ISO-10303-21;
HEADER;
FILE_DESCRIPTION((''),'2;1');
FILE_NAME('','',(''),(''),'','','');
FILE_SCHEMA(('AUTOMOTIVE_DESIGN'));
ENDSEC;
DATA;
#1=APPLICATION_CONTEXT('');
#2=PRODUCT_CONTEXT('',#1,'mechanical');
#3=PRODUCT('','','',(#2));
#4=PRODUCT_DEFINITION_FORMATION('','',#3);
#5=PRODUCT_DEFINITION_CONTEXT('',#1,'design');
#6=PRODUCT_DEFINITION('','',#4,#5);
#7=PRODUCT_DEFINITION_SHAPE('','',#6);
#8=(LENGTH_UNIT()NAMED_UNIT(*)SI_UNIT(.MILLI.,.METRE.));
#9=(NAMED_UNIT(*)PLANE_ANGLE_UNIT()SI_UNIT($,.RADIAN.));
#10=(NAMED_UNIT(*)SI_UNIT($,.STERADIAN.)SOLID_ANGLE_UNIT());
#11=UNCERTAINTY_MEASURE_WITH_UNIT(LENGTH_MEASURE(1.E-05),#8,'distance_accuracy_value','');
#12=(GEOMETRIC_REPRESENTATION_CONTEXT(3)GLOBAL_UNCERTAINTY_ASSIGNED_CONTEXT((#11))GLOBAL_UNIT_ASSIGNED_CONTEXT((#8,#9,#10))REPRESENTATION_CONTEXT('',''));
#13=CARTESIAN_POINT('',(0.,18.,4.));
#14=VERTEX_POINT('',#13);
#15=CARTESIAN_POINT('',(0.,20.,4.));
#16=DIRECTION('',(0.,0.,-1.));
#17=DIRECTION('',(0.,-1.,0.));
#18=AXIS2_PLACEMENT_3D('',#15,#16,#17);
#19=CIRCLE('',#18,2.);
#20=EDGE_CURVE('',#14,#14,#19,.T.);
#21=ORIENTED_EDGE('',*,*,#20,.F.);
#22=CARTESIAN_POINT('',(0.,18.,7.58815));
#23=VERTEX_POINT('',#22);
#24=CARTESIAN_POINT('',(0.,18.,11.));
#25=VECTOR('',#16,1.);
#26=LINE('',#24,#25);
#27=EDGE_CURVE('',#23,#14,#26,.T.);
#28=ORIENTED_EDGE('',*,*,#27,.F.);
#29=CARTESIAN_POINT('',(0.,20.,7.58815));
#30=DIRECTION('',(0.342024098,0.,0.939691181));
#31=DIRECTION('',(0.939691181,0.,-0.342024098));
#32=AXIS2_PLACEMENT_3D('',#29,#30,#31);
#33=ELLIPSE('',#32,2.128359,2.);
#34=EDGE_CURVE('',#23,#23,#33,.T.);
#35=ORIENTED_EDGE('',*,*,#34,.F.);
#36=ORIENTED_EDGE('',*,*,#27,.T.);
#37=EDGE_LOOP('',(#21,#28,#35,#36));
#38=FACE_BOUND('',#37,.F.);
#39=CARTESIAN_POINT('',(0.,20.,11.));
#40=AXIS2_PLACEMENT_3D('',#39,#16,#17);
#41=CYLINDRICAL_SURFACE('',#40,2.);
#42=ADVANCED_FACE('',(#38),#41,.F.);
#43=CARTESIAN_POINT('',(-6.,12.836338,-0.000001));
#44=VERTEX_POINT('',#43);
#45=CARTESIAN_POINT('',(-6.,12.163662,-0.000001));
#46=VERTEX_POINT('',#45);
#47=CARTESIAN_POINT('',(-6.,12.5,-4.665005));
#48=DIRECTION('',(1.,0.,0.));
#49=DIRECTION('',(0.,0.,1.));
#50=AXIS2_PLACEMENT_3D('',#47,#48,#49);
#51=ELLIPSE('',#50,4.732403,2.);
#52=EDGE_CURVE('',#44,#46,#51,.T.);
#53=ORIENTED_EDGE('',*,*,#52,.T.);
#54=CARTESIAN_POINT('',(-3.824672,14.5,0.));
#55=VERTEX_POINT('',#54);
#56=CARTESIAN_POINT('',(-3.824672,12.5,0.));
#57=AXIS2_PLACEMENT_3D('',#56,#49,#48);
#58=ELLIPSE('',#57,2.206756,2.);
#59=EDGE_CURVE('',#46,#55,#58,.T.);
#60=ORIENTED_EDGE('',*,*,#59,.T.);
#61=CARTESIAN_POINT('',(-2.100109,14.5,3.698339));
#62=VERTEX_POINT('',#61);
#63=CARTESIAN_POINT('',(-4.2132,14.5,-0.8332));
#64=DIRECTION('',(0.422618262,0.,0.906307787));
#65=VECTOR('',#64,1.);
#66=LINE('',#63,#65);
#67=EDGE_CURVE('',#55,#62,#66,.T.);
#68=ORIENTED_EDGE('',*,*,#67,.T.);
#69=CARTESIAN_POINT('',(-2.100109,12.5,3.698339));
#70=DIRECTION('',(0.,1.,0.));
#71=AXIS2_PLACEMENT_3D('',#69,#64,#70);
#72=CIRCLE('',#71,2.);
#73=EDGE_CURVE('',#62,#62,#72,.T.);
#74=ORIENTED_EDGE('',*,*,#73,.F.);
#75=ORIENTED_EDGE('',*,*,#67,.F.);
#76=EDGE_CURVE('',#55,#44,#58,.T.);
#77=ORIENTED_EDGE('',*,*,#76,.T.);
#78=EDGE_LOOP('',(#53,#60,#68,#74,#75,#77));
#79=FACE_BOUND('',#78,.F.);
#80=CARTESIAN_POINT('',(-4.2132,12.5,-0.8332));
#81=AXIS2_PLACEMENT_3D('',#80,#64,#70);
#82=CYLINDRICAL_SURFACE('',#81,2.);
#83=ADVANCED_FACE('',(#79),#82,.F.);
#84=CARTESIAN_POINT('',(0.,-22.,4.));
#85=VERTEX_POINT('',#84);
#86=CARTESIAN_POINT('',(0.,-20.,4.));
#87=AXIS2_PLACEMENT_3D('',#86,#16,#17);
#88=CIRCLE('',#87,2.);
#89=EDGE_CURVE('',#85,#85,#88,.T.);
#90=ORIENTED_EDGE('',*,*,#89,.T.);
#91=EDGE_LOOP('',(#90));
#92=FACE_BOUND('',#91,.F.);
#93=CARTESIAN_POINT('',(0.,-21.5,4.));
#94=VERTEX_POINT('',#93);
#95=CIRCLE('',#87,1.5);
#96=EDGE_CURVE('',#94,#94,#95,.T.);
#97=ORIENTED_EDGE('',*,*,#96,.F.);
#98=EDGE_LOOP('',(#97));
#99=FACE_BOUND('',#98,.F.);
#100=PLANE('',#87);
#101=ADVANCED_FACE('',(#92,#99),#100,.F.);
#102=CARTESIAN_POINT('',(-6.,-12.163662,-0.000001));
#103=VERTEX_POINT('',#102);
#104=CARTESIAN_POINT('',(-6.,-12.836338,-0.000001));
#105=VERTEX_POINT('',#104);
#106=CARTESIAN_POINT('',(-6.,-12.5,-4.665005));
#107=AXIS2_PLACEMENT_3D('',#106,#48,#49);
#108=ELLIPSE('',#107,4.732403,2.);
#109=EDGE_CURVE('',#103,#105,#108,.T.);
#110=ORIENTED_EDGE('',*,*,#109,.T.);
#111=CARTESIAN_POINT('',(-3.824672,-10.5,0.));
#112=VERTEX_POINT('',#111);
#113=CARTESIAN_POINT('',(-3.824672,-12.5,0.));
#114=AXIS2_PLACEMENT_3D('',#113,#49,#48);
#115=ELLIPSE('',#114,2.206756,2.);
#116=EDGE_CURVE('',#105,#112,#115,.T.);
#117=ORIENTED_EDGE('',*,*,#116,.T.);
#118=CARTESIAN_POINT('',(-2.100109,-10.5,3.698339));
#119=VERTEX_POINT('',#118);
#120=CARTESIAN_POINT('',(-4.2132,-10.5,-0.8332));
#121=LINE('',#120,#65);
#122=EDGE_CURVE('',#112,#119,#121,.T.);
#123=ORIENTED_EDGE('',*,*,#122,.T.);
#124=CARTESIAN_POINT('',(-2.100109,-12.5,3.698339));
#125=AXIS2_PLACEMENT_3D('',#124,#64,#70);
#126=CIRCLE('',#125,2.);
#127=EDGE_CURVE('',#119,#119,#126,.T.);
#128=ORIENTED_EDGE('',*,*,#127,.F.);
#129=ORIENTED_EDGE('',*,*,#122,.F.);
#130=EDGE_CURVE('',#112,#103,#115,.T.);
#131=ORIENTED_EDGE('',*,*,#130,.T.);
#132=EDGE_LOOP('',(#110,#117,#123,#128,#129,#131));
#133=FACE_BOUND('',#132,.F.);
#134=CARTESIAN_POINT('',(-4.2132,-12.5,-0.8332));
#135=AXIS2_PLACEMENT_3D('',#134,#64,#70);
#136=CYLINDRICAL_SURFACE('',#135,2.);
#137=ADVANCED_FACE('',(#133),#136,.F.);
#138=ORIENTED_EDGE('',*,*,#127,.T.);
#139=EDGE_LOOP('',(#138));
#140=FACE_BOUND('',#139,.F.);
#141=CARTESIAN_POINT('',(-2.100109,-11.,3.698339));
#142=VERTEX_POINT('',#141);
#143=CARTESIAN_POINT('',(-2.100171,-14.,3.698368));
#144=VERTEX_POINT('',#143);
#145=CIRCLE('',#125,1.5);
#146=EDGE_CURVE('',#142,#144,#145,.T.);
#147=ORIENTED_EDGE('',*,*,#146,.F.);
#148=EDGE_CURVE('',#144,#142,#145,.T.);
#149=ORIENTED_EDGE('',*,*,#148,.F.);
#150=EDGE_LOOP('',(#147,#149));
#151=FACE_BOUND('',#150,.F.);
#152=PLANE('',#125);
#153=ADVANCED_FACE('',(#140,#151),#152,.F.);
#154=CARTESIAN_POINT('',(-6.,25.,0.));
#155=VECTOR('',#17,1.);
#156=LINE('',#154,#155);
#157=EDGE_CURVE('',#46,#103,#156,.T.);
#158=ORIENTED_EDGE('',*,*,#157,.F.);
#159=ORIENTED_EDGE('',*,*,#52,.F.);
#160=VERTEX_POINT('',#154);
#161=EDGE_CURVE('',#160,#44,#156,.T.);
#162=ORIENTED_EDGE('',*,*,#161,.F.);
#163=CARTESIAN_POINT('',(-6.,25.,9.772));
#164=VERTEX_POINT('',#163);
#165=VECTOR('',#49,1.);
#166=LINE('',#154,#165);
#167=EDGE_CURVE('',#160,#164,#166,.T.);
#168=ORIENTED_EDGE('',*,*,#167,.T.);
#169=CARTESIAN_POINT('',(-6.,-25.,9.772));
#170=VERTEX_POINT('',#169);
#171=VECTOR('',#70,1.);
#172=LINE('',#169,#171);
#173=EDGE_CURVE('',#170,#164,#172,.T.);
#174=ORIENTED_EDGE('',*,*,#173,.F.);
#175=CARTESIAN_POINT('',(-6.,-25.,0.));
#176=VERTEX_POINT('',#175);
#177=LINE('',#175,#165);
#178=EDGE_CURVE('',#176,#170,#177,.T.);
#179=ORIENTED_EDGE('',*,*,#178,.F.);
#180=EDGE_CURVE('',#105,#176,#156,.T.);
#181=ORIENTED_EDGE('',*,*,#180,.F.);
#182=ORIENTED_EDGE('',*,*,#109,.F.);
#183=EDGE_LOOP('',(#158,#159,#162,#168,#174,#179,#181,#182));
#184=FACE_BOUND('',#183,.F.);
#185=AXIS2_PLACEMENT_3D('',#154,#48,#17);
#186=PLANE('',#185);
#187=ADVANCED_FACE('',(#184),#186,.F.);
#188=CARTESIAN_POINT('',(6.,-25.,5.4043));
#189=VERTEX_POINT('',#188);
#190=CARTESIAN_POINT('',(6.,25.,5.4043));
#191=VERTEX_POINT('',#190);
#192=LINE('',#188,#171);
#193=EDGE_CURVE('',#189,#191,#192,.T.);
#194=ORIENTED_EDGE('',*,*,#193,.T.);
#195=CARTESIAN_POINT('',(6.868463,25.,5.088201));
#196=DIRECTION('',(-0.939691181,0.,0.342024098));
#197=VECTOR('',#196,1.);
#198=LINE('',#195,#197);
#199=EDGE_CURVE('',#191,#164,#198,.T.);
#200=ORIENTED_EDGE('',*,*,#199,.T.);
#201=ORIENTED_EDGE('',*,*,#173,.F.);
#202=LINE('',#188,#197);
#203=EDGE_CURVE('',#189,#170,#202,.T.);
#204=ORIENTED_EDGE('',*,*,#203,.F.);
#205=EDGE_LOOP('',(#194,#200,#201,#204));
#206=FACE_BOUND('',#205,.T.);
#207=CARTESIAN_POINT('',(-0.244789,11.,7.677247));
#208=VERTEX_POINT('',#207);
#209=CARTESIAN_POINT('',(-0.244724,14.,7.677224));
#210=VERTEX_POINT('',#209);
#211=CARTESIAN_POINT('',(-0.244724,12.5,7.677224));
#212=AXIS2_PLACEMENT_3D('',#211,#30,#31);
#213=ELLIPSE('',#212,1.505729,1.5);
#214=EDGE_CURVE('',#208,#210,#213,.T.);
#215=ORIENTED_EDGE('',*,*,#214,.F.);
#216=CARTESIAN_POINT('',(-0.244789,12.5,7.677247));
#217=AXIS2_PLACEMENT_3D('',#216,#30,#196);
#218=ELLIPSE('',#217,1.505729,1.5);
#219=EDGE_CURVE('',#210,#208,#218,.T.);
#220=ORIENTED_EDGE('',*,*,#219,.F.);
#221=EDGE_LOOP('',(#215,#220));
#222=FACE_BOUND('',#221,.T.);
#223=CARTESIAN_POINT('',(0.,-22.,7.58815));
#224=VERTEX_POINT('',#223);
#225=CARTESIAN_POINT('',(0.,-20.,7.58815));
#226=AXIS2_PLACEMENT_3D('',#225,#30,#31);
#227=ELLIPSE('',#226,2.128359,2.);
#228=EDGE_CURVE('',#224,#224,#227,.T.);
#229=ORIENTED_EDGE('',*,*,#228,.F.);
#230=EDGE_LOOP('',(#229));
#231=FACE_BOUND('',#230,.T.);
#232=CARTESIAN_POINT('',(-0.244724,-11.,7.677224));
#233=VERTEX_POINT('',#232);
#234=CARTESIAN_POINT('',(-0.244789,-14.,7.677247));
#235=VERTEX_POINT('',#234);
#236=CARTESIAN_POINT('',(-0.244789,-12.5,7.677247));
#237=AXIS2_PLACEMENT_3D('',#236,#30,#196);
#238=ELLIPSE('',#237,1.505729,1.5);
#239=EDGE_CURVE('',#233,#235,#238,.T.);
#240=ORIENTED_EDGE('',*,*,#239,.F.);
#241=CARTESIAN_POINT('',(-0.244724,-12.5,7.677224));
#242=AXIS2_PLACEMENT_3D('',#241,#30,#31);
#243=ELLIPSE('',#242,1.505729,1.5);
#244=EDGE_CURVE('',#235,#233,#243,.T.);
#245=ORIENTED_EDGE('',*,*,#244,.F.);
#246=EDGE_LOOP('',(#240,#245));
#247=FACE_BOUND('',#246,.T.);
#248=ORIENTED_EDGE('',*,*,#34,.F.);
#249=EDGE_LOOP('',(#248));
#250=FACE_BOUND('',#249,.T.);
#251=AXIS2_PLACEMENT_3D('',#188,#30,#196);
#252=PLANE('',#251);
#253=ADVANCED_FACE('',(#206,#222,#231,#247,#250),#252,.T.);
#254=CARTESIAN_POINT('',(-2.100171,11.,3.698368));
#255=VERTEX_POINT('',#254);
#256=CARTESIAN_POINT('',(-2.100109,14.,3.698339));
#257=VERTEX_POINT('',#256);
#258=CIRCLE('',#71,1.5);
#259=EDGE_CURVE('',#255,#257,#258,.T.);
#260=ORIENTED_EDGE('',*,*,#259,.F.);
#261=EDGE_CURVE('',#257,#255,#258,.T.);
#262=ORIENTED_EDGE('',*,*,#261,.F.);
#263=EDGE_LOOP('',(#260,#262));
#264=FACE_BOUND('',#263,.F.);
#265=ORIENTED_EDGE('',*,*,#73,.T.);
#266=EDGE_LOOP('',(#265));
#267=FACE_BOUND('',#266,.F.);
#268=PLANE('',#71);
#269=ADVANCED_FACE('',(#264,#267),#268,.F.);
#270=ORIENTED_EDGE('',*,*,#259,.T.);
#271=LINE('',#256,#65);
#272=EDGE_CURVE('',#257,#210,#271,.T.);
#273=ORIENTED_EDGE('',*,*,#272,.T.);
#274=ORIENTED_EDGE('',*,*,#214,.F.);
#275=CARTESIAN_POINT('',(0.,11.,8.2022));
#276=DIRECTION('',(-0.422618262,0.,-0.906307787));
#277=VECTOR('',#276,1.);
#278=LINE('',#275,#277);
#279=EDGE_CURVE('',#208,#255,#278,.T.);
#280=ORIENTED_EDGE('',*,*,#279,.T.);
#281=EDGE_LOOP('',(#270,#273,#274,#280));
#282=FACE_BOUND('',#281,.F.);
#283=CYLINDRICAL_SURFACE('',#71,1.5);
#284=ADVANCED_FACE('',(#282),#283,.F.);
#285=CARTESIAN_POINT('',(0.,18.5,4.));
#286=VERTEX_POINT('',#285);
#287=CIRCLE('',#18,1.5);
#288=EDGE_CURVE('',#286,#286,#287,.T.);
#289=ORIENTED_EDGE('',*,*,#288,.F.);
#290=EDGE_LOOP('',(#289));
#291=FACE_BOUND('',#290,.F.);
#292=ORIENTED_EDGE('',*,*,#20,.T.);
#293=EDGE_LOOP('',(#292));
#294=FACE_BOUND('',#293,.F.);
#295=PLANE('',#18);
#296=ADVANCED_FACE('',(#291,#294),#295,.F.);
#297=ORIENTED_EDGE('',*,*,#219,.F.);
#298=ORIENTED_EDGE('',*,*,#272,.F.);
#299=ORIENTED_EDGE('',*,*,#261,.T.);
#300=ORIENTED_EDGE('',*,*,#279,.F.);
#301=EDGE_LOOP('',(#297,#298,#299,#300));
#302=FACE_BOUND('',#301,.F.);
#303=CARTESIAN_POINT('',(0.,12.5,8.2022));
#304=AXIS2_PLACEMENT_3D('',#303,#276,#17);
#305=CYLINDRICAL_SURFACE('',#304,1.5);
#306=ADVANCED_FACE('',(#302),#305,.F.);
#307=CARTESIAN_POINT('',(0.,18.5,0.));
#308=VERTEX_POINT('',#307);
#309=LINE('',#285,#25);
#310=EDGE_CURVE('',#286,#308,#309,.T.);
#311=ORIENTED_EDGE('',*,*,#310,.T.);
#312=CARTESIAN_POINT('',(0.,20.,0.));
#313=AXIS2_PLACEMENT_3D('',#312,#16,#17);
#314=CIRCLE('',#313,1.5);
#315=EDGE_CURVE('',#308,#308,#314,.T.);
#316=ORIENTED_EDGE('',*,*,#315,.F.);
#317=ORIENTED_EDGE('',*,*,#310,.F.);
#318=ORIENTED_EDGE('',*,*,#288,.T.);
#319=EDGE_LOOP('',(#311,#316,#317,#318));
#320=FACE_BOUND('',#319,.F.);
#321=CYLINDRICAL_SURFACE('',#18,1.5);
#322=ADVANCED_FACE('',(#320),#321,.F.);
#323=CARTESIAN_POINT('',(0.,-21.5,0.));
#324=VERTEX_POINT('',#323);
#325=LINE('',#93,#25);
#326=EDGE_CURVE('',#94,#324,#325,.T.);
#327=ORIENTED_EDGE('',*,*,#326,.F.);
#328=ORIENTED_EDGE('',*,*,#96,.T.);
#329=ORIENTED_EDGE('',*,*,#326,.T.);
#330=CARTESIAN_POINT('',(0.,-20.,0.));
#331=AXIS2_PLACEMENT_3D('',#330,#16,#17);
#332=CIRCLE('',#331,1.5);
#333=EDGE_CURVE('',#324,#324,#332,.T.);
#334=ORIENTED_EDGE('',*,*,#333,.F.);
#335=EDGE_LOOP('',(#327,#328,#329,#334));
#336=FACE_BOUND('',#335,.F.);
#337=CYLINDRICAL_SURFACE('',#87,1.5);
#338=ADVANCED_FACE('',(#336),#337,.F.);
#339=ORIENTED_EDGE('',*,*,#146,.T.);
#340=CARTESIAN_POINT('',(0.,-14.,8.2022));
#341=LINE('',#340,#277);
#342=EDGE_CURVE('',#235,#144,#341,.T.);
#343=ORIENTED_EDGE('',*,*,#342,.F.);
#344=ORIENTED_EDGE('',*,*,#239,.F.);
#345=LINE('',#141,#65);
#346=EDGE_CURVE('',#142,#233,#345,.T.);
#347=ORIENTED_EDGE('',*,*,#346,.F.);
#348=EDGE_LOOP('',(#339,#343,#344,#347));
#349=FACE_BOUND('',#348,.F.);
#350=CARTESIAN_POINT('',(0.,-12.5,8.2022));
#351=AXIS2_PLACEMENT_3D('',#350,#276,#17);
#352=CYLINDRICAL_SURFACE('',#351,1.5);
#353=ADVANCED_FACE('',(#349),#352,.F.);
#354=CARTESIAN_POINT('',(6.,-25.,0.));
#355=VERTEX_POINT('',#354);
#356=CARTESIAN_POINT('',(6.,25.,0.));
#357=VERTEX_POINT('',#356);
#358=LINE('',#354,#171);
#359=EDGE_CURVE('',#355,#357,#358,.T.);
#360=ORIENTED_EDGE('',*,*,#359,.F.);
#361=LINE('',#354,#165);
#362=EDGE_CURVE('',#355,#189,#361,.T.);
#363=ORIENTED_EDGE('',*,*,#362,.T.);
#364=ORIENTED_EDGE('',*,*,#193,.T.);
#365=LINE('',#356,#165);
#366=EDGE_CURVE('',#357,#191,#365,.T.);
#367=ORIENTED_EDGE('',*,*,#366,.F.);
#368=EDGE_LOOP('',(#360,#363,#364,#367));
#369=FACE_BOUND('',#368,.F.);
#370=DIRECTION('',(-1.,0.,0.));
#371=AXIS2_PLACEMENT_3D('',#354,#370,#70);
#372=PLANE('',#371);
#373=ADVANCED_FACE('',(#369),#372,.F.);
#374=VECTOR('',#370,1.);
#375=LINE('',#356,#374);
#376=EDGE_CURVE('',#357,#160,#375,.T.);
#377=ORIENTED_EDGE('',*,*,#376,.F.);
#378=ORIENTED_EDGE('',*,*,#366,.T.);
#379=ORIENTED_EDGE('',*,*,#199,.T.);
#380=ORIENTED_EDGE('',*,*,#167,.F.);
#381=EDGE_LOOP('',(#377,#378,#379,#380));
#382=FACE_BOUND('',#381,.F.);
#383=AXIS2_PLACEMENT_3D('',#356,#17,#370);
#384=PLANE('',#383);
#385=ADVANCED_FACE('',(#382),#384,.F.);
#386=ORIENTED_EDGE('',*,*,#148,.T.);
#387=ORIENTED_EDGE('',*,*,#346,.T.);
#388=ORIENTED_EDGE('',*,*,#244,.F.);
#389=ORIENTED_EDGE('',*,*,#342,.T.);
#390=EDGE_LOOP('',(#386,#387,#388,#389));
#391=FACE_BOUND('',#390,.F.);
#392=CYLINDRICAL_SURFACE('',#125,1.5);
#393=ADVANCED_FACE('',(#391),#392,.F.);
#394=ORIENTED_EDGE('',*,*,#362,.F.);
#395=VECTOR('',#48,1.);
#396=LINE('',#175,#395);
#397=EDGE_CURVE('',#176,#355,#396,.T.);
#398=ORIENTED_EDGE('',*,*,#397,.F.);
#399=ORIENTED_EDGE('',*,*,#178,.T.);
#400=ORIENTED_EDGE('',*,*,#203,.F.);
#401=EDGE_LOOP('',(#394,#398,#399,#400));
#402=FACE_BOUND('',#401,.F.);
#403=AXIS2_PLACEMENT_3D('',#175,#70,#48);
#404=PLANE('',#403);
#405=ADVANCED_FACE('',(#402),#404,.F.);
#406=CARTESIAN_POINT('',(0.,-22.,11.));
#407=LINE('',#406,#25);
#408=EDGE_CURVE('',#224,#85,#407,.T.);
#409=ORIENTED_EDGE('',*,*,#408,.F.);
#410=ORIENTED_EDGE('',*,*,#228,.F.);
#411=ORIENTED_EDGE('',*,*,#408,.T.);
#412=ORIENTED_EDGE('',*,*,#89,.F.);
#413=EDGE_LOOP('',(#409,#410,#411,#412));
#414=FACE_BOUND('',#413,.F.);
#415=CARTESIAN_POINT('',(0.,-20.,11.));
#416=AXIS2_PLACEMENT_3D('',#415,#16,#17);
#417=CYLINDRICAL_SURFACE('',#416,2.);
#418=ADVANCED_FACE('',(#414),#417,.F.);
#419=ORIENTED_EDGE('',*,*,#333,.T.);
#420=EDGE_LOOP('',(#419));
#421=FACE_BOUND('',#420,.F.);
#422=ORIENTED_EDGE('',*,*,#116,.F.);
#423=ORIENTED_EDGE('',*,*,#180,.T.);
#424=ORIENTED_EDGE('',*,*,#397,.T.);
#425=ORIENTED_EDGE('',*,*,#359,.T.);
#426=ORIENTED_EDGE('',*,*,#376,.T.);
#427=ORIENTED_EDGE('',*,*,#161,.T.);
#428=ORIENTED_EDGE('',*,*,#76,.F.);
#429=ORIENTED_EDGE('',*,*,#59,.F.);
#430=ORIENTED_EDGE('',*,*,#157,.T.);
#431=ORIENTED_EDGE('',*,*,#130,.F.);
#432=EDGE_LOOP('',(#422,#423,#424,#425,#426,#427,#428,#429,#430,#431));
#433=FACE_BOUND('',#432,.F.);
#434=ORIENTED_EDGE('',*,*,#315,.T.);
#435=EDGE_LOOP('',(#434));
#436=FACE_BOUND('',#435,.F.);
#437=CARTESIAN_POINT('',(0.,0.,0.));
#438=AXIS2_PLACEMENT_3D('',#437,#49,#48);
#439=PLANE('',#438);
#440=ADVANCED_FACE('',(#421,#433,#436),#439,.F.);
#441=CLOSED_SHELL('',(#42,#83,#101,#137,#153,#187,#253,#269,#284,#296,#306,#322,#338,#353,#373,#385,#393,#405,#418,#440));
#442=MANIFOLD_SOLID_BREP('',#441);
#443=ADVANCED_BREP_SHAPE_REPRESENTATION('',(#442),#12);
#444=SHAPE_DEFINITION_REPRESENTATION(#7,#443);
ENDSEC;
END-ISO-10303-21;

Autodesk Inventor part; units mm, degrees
ref_plane "YZ Plane" through (0, 0, 0) normal (1, 0, 0) x (0, 1, 0)
ref_plane "XZ Plane" through (0, 0, 0) normal (0, 1, 0) x (-1, 0, 0)
sketch "Skizze1" plane through (0, 0, 0) normal (0, 0, 1) x (1, 0, 0)
  line L0 (-6, -25) -> (6, -25)
  line L1 (6, -25) -> (6, 25)
  line L2 (6, 25) -> (-6, 25)
  line L3 (-6, 25) -> (-6, -25)
  line L4 (-6, -25) -> (6, 25) construction
  line L5 (6, -25) -> (-6, 25) construction
  line L6 (0, 20) -> (0, -20)
  point P0 (0, 0)
  point P1 (0, 0)
  dimension "d0" = 40
  dimension "d1" = 12
  dimension "d2" = 50
extrude "Extrusion1" add sketch "Skizze1" along normal blind 11
sketch "Skizze3" plane through (0, 0, 11) normal (0, 0, 1) x (1, 0, 0)
  line L0 (-6, -25) -> (6, -25) projected
  line L1 (6, -25) -> (6, 25) projected
  line L2 (6, 25) -> (-6, 25) projected
  line L3 (-6, 25) -> (-6, -25) projected
  point P0 (0, 0)
  point P1 (0, -20)
  point P2 (0, 20)
sketch "Skizze2" plane through (-6, -25, 0) normal (0, -1, 0) x (1, 0, 0)
  line L0 (0, 0) -> (12, 0) projected
  line L1 (12, 0) -> (12, 11) projected
  line L2 (0, 11) -> (12, 11) projected
  line L3 (0, 0) -> (0, 11) projected
  line L4 (0, 11) -> (12, 5.4043)
  point P0 (6, 0)
  dimension "d5" = 25
extrude "Extrusion2" cut sketch "Skizze2" against normal through all contours L2 L1 L4
hole "Bohrung1" at (0, 20, 11) at (0, -20, 11) direction (0, 0, -1) diameter 3 end through all counterbore diameter 4 counterbore depth 7
sketch "Skizze4" plane through (-6, -25, 11) normal (0.4226, 0, 0.9063) x (0.9063, 0, -0.4226)
  ellipse E0 centre (6.6203, 45) end of major axis (8.827, 45) minor radius 2 projected
  ellipse E1 centre (6.6203, 5) end of major axis (8.827, 5) minor radius 2 projected
  line L0 (0, 50) -> (13.2405, 50) projected
  line L1 (0, 50) -> (0, 0) projected
  line L2 (13.2405, 0) -> (0, 0) projected
  line L3 (13.2405, 50) -> (13.2405, 0) projected
  line L4 (6.6203, 12.5) -> (6.6203, 37.5)
  line L5 (0, 50) -> (0, 0) projected
  line L6 (0, 25) -> (13.2405, 25)
  line L7 (13.2405, 50) -> (13.2405, 0) projected
  point P0 (10.0866, 25)
  point P1 (6.6203, 25)
  dimension "d15" = 25
hole "Bohrung2" at (0, -12.5, 8.2022) at (0, 12.5, 8.2022) direction (-0.4226, 0, -0.9063) diameter 3 end through all
ref_plane "Arbeitsebene1" through (-6, 25, 0) normal (0.4226, 0, 0.9063) x (0.9063, 0, -0.4226)
sketch "Skizze5" plane through (-6, 25, 0) normal (0.4226, 0, 0.9063) x (0.9063, 0, -0.4226)
  circle A0 centre (1.9715, -37.5) radius 1.5 projected
  circle A1 centre (1.9715, -12.5) radius 1.5 projected
  ellipse E0 centre (1.9715, -5) end of major axis (4.1782, -5) minor radius 2 projected
  ellipse E1 centre (1.9715, -45) end of major axis (4.1782, -45) minor radius 2 projected
  line L0 (-4.6488, 0) -> (8.5917, 0) projected
  line L1 (-4.6488, 0) -> (-4.6488, -50) projected
  line L2 (8.5917, -50) -> (-4.6488, -50) projected
  line L3 (8.5917, 0) -> (8.5917, -50) projected
  point P0 (5.4378, -25)
hole "Bohrung3" at (-4.2132, 12.5, -0.8332) at (-4.2132, -12.5, -0.8332) direction (0.4226, 0, 0.9063) diameter 3 end through all counterbore diameter 4 counterbore depth 5
sketch "Skizze6" plane through (-6, -25, 0) normal (0, -1, 0) x (1, 0, 0)
  line L0 (12, 5.4043) -> (0, 11) projected
  line L1 (0, 0) -> (0, 11) projected
  line L2 (0, 0) -> (12, 0) projected
  line L3 (12, 0) -> (12, 5.4043) projected
  line L4 (12, 5.4043) -> (0, 9.772)
  point P0 (6, 0)
  dimension "d31" = 110
extrude "Extrusion3" cut sketch "Skizze6" against normal through all contours L4 L1 L0
properties part number "Mount_2"
